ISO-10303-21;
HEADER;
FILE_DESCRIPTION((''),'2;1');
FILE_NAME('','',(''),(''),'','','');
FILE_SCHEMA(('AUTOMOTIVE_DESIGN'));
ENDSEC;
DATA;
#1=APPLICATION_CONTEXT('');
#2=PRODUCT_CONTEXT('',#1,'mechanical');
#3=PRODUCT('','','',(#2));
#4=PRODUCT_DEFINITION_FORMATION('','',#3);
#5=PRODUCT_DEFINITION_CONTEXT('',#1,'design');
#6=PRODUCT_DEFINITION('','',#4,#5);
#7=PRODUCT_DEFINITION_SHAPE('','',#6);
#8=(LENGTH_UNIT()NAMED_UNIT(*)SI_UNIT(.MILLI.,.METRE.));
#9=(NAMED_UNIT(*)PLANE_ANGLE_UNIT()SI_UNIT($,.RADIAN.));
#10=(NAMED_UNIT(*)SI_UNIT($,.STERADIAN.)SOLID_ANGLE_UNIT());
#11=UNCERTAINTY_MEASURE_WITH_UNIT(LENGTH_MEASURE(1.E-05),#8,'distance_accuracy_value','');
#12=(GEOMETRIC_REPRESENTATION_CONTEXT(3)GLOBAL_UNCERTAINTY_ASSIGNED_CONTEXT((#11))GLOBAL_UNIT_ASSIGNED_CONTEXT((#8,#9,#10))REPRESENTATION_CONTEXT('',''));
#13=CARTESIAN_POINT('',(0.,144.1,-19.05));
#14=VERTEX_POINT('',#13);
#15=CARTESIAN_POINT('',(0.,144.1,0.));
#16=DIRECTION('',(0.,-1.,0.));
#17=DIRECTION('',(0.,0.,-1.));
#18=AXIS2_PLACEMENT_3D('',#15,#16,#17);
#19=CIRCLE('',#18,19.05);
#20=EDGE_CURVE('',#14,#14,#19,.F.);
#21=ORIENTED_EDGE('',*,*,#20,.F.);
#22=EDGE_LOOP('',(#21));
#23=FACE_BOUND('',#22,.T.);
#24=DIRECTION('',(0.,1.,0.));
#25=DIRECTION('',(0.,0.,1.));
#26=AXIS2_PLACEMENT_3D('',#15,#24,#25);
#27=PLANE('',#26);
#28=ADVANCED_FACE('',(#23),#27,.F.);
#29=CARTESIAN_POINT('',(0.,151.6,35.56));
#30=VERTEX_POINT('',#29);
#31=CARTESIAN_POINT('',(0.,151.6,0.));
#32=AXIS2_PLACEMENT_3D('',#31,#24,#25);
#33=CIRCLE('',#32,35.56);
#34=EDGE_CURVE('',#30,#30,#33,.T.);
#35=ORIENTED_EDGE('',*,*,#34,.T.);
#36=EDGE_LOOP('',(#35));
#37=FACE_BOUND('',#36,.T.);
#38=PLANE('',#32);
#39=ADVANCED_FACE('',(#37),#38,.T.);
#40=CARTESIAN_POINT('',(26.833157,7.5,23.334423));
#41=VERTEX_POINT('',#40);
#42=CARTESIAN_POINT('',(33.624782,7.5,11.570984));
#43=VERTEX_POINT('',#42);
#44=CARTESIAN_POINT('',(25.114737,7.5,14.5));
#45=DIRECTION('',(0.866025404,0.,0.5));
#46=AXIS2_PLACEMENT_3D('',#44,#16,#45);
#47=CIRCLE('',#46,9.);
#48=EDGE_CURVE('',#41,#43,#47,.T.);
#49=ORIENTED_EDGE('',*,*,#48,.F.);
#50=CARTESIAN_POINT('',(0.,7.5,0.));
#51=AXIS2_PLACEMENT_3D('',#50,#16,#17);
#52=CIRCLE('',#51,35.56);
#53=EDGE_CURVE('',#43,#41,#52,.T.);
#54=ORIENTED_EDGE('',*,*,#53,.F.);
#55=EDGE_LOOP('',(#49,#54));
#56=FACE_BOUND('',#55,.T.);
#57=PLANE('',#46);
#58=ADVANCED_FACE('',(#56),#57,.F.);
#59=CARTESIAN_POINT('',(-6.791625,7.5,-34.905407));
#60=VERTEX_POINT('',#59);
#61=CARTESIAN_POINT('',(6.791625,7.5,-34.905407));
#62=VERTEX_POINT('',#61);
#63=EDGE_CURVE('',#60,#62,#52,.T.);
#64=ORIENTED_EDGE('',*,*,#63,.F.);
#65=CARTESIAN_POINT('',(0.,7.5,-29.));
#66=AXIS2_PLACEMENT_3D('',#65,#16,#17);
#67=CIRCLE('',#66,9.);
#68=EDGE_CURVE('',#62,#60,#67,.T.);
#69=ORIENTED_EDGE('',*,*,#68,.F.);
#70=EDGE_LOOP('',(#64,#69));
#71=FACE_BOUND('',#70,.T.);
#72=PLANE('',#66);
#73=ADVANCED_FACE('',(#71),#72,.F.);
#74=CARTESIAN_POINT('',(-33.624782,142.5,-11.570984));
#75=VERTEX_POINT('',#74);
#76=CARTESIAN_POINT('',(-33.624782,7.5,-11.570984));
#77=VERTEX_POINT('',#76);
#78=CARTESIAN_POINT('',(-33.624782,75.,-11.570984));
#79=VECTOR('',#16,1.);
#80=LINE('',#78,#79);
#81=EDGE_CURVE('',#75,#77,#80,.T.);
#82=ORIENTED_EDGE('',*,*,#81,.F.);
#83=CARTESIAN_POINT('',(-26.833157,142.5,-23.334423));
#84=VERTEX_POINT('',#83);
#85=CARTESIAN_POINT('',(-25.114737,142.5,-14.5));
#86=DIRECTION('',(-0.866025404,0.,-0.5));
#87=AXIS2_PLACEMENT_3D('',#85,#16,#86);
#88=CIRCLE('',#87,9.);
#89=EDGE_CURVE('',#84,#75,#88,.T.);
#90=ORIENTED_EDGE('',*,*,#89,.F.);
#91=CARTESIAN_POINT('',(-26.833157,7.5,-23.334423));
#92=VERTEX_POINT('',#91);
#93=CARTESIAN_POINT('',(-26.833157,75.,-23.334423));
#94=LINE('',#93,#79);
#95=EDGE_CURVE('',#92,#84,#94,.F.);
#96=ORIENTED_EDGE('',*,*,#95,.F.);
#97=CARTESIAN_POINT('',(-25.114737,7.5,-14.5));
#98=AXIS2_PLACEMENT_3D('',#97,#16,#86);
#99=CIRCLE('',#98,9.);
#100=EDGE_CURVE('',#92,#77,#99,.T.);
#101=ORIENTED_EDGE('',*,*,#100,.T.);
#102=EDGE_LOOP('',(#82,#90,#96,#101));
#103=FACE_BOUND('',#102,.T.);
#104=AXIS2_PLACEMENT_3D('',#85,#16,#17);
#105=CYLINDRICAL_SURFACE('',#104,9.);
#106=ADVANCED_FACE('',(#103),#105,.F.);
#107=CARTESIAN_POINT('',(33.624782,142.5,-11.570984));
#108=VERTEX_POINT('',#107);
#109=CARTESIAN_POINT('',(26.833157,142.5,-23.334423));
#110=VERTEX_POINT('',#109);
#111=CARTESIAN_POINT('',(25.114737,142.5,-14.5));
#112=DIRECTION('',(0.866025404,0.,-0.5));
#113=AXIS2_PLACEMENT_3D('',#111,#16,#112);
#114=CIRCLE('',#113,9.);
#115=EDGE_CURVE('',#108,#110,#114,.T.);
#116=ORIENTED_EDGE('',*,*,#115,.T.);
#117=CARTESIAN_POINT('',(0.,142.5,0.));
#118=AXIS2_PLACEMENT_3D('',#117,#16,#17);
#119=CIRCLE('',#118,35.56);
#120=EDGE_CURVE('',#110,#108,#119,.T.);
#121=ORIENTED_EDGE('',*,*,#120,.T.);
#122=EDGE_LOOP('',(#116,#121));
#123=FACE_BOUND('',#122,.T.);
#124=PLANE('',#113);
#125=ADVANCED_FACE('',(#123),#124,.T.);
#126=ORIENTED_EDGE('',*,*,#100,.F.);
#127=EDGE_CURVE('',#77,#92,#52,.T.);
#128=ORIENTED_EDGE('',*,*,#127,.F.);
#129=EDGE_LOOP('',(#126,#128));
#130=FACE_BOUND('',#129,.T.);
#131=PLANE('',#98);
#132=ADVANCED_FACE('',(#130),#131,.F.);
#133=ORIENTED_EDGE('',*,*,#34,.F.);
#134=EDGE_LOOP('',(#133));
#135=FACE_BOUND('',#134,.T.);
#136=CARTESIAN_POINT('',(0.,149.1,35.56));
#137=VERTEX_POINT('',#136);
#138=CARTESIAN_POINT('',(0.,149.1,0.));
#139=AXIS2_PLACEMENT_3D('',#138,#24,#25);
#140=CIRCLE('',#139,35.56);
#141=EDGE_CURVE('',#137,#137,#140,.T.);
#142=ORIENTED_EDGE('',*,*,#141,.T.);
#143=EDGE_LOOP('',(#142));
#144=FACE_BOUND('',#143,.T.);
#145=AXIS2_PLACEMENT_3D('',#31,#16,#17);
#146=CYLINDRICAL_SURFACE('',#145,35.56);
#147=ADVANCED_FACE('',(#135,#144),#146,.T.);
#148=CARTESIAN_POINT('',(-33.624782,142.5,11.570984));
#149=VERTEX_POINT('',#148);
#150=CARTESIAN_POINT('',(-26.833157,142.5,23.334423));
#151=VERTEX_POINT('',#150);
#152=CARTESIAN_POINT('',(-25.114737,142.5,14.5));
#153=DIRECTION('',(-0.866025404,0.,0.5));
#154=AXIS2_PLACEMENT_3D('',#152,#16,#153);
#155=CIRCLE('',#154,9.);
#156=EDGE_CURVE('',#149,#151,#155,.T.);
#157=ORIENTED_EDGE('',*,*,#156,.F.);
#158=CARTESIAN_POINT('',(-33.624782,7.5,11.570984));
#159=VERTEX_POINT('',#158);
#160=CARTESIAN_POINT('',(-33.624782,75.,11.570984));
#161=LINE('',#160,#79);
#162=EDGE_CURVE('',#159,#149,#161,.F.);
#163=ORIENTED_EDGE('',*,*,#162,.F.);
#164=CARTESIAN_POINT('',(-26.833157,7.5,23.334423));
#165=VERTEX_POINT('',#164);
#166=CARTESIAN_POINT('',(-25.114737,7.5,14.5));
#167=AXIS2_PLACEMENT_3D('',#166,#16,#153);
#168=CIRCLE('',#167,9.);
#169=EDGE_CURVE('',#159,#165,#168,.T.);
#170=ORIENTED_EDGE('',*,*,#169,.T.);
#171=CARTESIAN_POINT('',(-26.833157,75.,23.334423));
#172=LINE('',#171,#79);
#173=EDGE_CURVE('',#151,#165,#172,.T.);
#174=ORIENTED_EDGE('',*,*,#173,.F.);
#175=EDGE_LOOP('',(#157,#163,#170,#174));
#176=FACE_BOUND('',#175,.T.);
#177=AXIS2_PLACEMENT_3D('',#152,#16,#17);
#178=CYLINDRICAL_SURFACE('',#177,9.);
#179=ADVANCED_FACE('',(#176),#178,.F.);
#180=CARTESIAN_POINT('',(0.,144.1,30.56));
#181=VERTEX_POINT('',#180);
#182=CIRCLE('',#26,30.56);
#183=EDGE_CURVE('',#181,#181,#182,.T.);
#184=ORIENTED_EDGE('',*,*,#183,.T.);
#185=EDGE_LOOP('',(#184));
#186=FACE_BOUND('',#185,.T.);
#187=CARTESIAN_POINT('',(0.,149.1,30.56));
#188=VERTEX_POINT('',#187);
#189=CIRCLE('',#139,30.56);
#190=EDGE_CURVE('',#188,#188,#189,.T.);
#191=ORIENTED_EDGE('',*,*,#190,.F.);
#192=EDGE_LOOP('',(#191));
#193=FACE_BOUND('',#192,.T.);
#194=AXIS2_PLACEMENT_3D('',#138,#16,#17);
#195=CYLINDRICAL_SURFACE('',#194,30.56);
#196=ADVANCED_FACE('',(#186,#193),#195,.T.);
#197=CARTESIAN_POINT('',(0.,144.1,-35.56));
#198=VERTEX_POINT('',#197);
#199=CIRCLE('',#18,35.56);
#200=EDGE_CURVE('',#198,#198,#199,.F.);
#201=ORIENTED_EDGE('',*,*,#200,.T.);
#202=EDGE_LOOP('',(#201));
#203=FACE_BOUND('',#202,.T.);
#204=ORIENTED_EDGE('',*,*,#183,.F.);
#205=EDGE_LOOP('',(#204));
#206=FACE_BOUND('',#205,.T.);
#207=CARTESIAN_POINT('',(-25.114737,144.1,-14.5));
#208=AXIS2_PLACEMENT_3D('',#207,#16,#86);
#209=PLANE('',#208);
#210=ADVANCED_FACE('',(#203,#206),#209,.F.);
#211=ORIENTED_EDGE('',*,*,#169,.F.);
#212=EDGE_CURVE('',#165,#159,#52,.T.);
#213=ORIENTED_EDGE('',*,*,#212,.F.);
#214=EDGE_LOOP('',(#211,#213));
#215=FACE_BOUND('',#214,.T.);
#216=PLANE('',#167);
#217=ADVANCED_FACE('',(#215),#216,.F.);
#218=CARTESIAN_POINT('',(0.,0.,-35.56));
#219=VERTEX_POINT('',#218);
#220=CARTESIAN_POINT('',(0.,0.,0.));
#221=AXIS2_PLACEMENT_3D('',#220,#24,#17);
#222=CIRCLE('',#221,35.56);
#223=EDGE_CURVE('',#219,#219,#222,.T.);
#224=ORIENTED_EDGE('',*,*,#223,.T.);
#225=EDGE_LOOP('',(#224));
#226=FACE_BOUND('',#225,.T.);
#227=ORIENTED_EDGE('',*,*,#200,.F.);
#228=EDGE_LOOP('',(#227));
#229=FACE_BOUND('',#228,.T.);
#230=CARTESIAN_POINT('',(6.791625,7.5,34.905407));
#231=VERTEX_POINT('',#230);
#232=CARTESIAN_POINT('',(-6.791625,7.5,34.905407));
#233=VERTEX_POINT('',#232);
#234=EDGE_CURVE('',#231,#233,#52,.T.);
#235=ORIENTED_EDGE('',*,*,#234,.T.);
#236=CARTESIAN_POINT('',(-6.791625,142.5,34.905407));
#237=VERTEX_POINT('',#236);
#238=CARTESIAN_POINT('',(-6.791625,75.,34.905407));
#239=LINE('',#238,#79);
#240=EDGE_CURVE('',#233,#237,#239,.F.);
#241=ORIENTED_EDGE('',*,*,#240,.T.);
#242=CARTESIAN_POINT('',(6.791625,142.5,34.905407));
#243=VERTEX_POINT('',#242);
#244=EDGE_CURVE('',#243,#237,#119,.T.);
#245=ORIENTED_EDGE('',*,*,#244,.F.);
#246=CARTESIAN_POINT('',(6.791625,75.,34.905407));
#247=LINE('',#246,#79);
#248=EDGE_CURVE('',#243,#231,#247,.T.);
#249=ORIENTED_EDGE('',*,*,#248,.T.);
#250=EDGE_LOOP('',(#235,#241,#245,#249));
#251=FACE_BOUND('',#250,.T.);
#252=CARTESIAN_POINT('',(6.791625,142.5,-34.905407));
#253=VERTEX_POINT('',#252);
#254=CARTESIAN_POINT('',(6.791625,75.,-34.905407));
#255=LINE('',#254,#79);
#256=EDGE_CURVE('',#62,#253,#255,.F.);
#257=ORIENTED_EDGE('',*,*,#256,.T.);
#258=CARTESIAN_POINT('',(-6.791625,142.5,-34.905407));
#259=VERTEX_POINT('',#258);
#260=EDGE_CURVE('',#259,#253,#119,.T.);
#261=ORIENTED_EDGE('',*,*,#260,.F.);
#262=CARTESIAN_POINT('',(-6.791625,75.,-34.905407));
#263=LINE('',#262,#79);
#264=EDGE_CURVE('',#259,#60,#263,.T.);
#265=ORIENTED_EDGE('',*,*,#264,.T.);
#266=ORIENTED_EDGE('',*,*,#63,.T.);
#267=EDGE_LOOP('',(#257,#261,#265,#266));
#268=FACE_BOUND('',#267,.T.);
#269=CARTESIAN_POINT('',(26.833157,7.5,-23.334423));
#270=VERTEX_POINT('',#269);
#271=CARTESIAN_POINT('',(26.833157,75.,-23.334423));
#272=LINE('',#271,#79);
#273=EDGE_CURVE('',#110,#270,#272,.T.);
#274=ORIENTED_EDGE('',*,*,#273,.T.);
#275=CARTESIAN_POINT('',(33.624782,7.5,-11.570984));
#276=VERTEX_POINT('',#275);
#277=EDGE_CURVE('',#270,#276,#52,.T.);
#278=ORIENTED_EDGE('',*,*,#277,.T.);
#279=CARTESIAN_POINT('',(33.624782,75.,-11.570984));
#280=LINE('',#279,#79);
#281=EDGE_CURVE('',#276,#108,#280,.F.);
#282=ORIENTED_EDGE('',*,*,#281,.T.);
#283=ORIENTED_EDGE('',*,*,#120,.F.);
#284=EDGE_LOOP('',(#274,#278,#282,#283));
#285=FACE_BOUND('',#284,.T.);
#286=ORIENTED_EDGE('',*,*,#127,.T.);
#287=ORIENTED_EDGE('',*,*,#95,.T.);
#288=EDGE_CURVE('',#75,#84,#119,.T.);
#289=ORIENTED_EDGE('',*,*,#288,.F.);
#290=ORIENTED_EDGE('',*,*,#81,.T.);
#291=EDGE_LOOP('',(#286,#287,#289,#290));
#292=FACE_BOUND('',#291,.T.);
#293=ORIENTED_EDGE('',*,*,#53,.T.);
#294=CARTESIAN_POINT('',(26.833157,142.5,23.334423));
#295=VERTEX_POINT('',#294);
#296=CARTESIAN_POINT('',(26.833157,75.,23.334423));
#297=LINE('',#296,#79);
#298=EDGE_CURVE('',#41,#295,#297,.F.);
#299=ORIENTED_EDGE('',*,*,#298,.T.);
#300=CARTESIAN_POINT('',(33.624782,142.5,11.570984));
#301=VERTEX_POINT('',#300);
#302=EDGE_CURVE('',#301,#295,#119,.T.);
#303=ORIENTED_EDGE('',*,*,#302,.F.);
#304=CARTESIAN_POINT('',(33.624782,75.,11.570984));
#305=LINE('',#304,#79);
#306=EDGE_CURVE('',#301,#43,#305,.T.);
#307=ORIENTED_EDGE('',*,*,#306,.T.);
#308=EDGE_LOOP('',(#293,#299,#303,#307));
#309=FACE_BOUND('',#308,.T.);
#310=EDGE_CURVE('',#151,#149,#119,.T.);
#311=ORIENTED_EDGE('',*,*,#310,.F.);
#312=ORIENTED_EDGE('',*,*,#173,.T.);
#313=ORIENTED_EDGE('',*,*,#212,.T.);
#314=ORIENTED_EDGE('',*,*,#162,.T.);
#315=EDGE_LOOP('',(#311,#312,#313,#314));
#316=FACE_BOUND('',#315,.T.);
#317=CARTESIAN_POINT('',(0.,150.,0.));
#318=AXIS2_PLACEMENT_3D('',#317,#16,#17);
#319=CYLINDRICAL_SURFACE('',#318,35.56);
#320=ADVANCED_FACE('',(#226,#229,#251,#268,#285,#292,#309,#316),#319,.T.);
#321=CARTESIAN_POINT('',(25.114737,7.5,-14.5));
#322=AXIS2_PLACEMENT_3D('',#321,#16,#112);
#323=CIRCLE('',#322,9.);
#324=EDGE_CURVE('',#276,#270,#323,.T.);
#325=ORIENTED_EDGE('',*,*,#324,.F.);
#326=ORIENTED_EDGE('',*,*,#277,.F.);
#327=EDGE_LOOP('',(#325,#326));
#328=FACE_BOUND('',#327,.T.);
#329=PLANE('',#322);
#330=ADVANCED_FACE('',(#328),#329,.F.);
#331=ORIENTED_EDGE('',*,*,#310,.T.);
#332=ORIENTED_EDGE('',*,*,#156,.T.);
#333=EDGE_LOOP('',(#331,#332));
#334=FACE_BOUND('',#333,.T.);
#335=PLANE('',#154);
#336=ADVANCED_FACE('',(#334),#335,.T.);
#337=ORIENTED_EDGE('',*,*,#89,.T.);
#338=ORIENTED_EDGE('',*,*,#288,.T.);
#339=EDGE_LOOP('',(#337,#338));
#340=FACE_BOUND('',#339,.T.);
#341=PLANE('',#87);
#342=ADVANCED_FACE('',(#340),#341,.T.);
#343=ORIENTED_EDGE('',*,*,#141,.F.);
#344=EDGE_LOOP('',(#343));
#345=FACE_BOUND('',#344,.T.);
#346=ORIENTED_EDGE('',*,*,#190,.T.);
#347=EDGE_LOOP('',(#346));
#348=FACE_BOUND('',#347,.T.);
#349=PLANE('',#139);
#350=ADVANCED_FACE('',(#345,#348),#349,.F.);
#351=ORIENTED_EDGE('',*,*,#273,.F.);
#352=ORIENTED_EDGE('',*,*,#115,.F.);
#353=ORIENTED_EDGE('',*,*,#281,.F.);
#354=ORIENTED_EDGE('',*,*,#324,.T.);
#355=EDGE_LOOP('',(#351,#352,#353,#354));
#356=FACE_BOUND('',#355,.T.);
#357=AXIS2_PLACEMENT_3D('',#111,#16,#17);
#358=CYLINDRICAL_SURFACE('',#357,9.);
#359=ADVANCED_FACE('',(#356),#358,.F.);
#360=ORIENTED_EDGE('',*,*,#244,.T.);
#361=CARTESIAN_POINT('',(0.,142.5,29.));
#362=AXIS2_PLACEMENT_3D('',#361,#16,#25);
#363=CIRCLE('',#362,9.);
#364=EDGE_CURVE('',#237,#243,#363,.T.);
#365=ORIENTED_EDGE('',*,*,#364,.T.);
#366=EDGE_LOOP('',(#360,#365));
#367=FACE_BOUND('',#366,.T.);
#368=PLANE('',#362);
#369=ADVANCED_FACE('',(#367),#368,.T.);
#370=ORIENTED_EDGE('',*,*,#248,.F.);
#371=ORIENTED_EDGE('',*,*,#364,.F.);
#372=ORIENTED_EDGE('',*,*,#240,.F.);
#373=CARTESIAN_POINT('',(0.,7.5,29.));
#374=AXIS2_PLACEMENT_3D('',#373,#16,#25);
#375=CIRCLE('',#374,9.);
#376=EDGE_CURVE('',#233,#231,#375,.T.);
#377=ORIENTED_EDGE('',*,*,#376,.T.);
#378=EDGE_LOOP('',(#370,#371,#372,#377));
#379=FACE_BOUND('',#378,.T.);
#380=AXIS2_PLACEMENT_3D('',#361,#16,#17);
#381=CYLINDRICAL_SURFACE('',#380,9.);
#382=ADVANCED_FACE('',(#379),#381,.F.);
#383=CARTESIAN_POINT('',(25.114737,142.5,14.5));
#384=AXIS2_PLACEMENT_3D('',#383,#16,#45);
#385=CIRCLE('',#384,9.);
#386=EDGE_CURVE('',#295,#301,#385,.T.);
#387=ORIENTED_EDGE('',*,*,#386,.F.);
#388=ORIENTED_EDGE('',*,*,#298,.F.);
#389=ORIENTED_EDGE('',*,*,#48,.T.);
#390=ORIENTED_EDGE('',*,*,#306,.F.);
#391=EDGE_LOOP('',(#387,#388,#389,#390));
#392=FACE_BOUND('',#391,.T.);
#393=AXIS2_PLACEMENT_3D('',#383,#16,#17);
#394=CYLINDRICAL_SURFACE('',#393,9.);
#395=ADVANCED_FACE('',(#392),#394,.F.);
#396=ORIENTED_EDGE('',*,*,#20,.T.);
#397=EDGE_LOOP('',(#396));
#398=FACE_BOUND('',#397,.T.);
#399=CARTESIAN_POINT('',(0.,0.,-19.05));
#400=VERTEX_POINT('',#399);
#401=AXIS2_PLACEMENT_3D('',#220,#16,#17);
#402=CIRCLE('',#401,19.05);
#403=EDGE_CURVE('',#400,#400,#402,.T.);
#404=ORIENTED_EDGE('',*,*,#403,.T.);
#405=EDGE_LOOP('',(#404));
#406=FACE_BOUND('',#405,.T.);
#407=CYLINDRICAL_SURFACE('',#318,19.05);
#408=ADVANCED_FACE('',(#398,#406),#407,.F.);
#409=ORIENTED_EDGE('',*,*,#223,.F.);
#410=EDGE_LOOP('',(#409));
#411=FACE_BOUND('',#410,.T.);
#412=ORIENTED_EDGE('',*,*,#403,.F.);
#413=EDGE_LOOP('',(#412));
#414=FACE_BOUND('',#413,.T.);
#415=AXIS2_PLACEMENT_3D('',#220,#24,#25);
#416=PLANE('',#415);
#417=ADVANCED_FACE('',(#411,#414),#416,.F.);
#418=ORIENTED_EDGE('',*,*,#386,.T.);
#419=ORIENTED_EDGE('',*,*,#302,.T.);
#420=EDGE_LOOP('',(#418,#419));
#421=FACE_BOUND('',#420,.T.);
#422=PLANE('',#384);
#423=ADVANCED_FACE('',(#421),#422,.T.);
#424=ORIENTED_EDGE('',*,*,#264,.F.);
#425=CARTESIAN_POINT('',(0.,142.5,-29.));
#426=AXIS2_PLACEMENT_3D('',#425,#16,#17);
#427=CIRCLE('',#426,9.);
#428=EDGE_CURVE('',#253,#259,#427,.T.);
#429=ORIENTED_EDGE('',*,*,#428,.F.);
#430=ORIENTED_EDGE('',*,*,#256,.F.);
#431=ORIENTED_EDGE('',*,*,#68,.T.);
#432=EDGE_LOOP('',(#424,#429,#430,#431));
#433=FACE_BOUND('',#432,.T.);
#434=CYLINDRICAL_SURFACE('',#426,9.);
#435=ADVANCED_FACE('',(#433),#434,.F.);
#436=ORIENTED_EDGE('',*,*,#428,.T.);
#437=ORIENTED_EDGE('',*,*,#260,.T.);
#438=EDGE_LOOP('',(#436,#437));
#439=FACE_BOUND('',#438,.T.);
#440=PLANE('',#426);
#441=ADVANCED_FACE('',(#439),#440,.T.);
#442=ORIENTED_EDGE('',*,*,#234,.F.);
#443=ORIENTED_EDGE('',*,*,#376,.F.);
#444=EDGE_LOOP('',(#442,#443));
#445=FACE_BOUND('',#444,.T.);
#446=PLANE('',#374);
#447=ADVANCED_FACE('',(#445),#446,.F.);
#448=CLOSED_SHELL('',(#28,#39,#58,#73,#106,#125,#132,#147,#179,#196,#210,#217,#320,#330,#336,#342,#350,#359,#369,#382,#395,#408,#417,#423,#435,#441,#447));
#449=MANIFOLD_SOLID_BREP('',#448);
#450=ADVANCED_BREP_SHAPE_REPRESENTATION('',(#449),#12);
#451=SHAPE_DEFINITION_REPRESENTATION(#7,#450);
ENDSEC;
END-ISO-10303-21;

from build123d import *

# Parameters (mm, degrees)
BOSS_EXTRUDE1_DEPTH = 150
CUT_EXTRUDE7_START  = -7.5
SKETCH2_R           = 9
CUT_EXTRUDE7_DEPTH  = 135
CIRPATTERN1_COUNT   = 6
SKETCH3_R           = 19.05
CUT_EXTRUDE8_DEPTH  = 159.205648445
CUT_EXTRUDE9_START  = -5.9
SKETCH5_R           = 35.56
CUT_EXTRUDE9_DEPTH  = 5.9
SKETCH6_R           = 30.56
BOSS_EXTRUDE2_DEPTH = 5
SKETCH7_R           = 35.56
BOSS_EXTRUDE3_DEPTH = 2.5


with BuildPart() as part:
    # Sketch1 → Boss-Extrude1 (new body)
    with BuildSketch(Plane(origin=(0, 0, 0), x_dir=(1, 0, 0), z_dir=(0, 1, 0))):
        with BuildLine():
            ThreePointArc((-35.56, 0), (0, 35.56), (35.56, 0))
            ThreePointArc((35.56, 0), (0, -35.56), (-35.56, 0))
        make_face()
    extrude(amount=BOSS_EXTRUDE1_DEPTH)

    # Sketch2 → Cut-Extrude7 (cut)
    with BuildSketch(Plane(origin=(0, 0, 0), x_dir=(-1, 0, 0), z_dir=(0, -1, 0)).offset(CUT_EXTRUDE7_START)):
        with Locations((0, 29)):
            Circle(SKETCH2_R)
    cut_extrude7 = extrude(amount=-CUT_EXTRUDE7_DEPTH, mode=Mode.SUBTRACT)

    # CirPattern1: Cut-Extrude7 ×6 about axis
    cirpattern1_axis = Axis((0, 0, 0), (0, 1, 0))
    for i in range(1, CIRPATTERN1_COUNT):
        add(cut_extrude7.rotate(cirpattern1_axis, i * 360 / CIRPATTERN1_COUNT), mode=Mode.SUBTRACT)

    # Sketch3 → Cut-Extrude8 (cut, through all)
    with BuildSketch(Plane(origin=(0, 0, 0), x_dir=(-1, 0, 0), z_dir=(0, -1, 0))):
        with Locations(Location((0, 0, 0), (0, 0, 90))):
            Circle(SKETCH3_R)
    extrude(amount=-CUT_EXTRUDE8_DEPTH, mode=Mode.SUBTRACT)

    # Sketch5 → Cut-Extrude9 (cut)
    with BuildSketch(Plane(origin=(0, 150, 0), x_dir=(1, 0, 0), z_dir=(0, 1, 0)).offset(CUT_EXTRUDE9_START)):
        with Locations(Location((0, 0, 0), (0, 0, 90))):
            Circle(SKETCH5_R)
    extrude(amount=CUT_EXTRUDE9_DEPTH, mode=Mode.SUBTRACT)

    # Sketch6 → Boss-Extrude2 (add)
    with BuildSketch(Plane(origin=(0, 144.1, 0), x_dir=(1, 0, 0), z_dir=(0, 1, 0))):
        with Locations(Location((0, 0, 0), (0, 0, 270))):
            Circle(SKETCH6_R)
    extrude(amount=BOSS_EXTRUDE2_DEPTH)

    # Sketch7 → Boss-Extrude3 (add)
    with BuildSketch(Plane(origin=(0, 149.1, 0), x_dir=(1, 0, 0), z_dir=(0, 1, 0))):
        with Locations(Location((0, 0, 0), (0, 0, 90))):
            Circle(SKETCH7_R)
    extrude(amount=BOSS_EXTRUDE3_DEPTH)


solid = part.part
